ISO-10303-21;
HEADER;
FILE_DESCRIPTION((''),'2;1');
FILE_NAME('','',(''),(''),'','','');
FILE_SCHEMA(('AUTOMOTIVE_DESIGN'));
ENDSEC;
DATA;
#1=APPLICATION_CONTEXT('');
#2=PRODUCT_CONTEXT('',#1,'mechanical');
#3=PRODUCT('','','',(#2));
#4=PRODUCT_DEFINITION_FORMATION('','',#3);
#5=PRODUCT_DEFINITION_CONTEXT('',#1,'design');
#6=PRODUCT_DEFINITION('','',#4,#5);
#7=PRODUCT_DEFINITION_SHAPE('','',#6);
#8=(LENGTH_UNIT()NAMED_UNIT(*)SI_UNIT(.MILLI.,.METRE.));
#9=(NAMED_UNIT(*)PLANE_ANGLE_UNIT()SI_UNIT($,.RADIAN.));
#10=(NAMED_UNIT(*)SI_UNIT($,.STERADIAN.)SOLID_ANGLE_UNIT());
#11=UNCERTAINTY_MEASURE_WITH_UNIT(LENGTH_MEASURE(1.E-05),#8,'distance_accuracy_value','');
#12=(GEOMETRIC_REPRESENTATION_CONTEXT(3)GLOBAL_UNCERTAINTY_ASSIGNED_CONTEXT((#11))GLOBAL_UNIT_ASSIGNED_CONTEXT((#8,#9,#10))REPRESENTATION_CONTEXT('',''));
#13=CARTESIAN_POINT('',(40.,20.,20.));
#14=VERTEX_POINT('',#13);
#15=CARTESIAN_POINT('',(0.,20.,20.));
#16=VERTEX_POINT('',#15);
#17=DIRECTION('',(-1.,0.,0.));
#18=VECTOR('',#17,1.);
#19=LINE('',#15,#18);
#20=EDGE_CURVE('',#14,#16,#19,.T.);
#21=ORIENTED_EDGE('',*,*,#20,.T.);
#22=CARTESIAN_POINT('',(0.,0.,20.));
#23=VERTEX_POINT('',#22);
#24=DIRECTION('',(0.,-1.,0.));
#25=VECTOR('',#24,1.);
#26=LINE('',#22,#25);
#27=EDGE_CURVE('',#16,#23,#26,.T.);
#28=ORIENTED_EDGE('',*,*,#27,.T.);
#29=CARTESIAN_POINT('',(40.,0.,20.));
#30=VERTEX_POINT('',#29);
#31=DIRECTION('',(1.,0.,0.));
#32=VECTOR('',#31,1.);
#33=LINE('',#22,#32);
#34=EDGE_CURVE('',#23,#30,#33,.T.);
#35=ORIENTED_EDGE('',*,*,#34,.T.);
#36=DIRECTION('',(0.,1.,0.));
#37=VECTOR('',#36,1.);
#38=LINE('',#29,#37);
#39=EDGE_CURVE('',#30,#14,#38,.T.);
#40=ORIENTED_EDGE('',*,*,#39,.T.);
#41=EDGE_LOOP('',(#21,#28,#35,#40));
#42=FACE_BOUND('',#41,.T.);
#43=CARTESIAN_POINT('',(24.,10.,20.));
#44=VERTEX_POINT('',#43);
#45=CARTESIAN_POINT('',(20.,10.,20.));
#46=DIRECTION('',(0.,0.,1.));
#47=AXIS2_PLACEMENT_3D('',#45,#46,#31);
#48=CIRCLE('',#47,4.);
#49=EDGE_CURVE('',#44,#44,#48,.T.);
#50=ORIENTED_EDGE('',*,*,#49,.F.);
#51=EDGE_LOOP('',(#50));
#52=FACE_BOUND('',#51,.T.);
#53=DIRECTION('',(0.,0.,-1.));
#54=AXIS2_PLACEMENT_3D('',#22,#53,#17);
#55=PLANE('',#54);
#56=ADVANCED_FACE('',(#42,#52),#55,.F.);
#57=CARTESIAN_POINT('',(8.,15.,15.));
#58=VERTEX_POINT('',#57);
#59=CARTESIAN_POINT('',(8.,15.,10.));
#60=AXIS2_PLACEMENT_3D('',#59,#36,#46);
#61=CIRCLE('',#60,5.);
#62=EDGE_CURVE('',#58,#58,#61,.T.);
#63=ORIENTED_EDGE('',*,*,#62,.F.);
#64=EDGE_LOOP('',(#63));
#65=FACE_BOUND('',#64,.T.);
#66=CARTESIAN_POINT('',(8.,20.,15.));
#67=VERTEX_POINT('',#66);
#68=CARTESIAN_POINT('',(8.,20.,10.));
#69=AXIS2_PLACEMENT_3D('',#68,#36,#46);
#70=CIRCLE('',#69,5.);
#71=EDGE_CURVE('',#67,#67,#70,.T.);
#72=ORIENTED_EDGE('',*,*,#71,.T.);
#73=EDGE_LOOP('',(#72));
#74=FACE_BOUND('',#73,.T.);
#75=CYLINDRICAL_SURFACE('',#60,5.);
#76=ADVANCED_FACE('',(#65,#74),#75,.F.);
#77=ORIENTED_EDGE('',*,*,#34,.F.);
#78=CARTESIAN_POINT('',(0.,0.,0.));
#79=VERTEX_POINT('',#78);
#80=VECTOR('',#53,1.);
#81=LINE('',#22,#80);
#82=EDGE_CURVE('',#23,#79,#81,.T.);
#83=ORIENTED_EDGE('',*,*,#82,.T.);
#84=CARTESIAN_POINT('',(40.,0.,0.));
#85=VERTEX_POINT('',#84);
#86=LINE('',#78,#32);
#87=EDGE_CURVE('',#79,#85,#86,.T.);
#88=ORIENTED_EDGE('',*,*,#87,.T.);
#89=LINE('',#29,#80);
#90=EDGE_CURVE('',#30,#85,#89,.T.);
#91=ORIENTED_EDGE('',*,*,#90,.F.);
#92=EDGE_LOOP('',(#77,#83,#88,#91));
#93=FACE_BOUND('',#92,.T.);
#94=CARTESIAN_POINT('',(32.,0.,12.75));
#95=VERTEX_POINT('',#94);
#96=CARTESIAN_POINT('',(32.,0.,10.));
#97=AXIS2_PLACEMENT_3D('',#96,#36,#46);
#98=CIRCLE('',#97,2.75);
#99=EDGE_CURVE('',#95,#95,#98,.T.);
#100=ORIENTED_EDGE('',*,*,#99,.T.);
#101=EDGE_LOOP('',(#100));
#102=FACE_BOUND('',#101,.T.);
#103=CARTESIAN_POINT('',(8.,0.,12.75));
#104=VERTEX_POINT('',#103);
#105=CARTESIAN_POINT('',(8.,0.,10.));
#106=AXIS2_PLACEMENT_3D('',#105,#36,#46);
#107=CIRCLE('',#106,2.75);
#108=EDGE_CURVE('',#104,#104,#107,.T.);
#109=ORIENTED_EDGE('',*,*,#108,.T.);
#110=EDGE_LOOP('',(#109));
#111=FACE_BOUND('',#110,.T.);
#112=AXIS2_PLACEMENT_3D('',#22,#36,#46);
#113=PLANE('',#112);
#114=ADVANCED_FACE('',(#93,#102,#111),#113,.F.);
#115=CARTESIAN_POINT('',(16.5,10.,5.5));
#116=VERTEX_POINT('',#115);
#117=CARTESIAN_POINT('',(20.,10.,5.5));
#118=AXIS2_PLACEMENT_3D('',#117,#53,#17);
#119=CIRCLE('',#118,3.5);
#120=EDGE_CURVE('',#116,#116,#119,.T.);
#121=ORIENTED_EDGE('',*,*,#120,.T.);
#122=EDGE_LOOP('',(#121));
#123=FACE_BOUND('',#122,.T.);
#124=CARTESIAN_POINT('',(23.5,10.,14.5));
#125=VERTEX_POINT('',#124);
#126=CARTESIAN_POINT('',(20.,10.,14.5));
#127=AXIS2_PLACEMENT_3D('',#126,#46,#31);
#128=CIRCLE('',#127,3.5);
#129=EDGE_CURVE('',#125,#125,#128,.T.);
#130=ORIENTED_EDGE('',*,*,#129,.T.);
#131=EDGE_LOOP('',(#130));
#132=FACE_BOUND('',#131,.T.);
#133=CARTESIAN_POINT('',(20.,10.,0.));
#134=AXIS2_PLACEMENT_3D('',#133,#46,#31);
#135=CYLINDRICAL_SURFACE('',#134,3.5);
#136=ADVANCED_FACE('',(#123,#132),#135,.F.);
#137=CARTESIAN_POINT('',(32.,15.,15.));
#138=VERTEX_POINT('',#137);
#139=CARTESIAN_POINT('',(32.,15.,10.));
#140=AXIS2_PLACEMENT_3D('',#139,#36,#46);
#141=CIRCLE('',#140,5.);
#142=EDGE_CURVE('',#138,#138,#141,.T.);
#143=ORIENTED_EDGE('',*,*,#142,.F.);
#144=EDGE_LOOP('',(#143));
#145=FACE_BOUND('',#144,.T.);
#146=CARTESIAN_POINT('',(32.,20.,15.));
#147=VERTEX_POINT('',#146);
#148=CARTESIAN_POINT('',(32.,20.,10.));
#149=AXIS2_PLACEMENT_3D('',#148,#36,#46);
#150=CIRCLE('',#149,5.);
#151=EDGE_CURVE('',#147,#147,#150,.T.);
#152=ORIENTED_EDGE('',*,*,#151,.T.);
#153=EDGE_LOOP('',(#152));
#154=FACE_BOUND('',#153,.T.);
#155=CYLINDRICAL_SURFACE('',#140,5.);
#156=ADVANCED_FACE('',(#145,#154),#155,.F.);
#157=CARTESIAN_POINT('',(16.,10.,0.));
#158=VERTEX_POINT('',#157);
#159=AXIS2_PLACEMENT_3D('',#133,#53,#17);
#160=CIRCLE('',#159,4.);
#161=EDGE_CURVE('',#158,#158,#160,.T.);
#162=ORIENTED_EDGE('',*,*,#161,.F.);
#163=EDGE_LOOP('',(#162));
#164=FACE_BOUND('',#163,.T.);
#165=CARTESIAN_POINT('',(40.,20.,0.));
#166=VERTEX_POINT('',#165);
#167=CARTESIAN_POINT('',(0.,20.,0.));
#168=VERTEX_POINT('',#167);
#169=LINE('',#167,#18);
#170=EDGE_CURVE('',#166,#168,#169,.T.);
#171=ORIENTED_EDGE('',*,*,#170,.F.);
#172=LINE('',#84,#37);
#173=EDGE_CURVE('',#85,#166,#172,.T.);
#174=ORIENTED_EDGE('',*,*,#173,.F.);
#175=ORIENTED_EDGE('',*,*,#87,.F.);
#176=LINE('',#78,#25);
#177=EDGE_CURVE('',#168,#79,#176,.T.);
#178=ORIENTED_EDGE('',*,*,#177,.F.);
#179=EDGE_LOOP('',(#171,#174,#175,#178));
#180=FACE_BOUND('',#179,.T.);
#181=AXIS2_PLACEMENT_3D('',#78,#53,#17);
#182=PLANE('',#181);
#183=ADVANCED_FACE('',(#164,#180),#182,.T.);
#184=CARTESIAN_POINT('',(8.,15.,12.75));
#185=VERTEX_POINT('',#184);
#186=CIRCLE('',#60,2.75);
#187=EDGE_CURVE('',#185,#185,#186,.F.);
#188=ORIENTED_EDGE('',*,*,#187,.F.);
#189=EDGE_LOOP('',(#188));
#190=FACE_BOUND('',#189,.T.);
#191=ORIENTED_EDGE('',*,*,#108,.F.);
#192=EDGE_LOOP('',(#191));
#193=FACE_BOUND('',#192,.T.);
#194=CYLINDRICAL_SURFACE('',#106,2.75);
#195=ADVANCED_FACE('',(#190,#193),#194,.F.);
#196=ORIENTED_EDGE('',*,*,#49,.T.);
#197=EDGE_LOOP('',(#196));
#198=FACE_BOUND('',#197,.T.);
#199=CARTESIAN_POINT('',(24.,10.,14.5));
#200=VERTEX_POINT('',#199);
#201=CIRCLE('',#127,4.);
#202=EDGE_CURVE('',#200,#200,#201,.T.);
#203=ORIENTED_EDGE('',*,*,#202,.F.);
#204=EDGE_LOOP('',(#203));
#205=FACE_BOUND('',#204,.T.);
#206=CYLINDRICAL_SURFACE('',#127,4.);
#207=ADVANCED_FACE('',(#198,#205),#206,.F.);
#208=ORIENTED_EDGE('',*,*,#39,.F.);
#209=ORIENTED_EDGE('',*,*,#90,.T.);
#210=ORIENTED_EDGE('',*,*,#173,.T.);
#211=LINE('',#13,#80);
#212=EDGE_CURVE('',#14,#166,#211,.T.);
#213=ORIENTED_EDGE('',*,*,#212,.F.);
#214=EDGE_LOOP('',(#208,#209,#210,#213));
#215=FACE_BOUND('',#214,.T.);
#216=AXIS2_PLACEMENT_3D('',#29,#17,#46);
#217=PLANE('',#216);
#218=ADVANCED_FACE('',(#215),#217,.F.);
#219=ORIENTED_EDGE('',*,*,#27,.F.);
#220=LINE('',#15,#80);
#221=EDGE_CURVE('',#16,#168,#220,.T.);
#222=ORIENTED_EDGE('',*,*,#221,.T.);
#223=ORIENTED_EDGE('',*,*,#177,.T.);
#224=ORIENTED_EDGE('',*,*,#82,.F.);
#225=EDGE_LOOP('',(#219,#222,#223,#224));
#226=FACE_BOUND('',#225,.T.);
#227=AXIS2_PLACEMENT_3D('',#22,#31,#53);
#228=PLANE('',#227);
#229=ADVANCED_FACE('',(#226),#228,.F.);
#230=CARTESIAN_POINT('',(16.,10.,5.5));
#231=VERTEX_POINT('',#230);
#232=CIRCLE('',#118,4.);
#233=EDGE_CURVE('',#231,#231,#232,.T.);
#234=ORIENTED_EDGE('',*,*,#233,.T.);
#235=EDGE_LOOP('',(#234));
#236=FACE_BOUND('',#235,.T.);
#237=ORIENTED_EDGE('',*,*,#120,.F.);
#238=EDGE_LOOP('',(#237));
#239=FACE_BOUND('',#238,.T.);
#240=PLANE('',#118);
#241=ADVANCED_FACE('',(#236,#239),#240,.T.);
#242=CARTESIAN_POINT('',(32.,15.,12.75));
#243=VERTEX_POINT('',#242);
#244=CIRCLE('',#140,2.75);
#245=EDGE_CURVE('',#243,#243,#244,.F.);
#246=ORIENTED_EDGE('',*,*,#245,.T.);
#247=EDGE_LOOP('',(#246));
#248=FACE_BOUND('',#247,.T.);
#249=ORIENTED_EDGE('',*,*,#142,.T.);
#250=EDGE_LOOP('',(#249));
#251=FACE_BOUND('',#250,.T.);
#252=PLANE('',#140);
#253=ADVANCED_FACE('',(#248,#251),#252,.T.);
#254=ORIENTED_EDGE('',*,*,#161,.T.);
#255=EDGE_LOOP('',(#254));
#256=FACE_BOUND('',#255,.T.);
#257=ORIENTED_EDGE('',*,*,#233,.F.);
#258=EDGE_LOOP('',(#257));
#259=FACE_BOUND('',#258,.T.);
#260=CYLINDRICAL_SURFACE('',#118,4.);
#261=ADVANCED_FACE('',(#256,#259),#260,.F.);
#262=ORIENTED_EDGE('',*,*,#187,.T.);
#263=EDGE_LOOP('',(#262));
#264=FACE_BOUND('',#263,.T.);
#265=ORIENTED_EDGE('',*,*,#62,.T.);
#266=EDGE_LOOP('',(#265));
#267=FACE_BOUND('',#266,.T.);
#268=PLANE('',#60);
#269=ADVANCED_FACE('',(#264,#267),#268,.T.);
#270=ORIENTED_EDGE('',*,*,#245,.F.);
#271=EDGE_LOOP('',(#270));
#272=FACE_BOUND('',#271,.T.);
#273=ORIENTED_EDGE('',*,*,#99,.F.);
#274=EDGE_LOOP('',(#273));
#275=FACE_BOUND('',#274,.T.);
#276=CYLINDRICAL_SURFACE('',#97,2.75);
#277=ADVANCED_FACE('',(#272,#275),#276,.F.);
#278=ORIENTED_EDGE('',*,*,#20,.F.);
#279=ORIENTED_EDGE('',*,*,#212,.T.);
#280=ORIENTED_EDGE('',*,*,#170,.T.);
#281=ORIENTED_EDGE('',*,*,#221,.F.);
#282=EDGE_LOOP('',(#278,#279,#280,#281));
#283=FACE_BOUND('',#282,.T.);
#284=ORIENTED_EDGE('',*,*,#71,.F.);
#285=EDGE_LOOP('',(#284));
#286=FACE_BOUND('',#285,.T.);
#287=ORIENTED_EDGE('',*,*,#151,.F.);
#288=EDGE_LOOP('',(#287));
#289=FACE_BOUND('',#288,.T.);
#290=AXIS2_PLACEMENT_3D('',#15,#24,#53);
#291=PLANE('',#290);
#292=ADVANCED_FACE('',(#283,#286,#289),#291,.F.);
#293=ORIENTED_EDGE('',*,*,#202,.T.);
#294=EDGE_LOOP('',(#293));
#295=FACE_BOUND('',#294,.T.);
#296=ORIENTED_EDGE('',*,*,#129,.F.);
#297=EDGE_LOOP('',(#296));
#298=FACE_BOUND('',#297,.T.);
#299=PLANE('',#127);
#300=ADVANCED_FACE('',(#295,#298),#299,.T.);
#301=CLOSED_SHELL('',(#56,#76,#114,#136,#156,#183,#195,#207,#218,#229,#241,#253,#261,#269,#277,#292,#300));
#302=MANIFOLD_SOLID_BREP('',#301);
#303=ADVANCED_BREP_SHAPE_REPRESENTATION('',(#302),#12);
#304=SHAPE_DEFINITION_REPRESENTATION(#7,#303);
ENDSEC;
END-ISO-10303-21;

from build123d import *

# Parameters (mm, degrees)
SKETCH1_W           = 40
SKETCH1_H           = 20
BOSS_EXTRUDE1_DEPTH = 20
SKETCH2_R           = 2.75
CUT_EXTRUDE1_DEPTH  = 21
SKETCH3_R           = 5
CUT_EXTRUDE2_DEPTH  = 5
SKETCH4_R           = 4
CUT_EXTRUDE3_DEPTH  = 5.5
SKETCH5_R           = 4
CUT_EXTRUDE4_DEPTH  = 5.5
SKETCH6_R           = 3.5
CUT_EXTRUDE5_DEPTH  = 15.5


with BuildPart() as part:
    # Sketch1 → Boss-Extrude1 (new body)
    with BuildSketch(Plane.XY):
        with Locations((20, 10)):
            Rectangle(SKETCH1_W, SKETCH1_H)
    extrude(amount=BOSS_EXTRUDE1_DEPTH)

    # Sketch2 → Cut-Extrude1 (cut, through all)
    with BuildSketch(Plane(origin=(0, 20, 0), x_dir=(1, 0, 0), z_dir=(0, 1, 0))):
        with Locations((8, -10)):
            Circle(SKETCH2_R)
        with Locations((32, -10)):
            Circle(SKETCH2_R)
    extrude(amount=-CUT_EXTRUDE1_DEPTH, mode=Mode.SUBTRACT)

    # Sketch3 → Cut-Extrude2 (cut)
    with BuildSketch(Plane(origin=(0, 20, 0), x_dir=(1, 0, 0), z_dir=(0, 1, 0))):
        with Locations((8, -10)):
            Circle(SKETCH3_R)
        with Locations((32, -10)):
            Circle(SKETCH3_R)
    extrude(amount=-CUT_EXTRUDE2_DEPTH, mode=Mode.SUBTRACT)

    # Sketch4 → Cut-Extrude3 (cut)
    with BuildSketch(Plane.XY.offset(20)):
        with Locations((20, 10)):
            Circle(SKETCH4_R)
    extrude(amount=-CUT_EXTRUDE3_DEPTH, mode=Mode.SUBTRACT)

    # Sketch5 → Cut-Extrude4 (cut)
    with BuildSketch(Plane(origin=(0, 0, 0), x_dir=(-1, 0, 0), z_dir=(0, 0, -1))):
        with Locations((-20, 10)):
            Circle(SKETCH5_R)
    extrude(amount=-CUT_EXTRUDE4_DEPTH, mode=Mode.SUBTRACT)

    # Sketch6 → Cut-Extrude5 (cut, through all)
    with BuildSketch(Plane.XY.offset(14.5)):
        with Locations((20, 10)):
            Circle(SKETCH6_R)
    extrude(amount=-CUT_EXTRUDE5_DEPTH, mode=Mode.SUBTRACT)


solid = part.part
